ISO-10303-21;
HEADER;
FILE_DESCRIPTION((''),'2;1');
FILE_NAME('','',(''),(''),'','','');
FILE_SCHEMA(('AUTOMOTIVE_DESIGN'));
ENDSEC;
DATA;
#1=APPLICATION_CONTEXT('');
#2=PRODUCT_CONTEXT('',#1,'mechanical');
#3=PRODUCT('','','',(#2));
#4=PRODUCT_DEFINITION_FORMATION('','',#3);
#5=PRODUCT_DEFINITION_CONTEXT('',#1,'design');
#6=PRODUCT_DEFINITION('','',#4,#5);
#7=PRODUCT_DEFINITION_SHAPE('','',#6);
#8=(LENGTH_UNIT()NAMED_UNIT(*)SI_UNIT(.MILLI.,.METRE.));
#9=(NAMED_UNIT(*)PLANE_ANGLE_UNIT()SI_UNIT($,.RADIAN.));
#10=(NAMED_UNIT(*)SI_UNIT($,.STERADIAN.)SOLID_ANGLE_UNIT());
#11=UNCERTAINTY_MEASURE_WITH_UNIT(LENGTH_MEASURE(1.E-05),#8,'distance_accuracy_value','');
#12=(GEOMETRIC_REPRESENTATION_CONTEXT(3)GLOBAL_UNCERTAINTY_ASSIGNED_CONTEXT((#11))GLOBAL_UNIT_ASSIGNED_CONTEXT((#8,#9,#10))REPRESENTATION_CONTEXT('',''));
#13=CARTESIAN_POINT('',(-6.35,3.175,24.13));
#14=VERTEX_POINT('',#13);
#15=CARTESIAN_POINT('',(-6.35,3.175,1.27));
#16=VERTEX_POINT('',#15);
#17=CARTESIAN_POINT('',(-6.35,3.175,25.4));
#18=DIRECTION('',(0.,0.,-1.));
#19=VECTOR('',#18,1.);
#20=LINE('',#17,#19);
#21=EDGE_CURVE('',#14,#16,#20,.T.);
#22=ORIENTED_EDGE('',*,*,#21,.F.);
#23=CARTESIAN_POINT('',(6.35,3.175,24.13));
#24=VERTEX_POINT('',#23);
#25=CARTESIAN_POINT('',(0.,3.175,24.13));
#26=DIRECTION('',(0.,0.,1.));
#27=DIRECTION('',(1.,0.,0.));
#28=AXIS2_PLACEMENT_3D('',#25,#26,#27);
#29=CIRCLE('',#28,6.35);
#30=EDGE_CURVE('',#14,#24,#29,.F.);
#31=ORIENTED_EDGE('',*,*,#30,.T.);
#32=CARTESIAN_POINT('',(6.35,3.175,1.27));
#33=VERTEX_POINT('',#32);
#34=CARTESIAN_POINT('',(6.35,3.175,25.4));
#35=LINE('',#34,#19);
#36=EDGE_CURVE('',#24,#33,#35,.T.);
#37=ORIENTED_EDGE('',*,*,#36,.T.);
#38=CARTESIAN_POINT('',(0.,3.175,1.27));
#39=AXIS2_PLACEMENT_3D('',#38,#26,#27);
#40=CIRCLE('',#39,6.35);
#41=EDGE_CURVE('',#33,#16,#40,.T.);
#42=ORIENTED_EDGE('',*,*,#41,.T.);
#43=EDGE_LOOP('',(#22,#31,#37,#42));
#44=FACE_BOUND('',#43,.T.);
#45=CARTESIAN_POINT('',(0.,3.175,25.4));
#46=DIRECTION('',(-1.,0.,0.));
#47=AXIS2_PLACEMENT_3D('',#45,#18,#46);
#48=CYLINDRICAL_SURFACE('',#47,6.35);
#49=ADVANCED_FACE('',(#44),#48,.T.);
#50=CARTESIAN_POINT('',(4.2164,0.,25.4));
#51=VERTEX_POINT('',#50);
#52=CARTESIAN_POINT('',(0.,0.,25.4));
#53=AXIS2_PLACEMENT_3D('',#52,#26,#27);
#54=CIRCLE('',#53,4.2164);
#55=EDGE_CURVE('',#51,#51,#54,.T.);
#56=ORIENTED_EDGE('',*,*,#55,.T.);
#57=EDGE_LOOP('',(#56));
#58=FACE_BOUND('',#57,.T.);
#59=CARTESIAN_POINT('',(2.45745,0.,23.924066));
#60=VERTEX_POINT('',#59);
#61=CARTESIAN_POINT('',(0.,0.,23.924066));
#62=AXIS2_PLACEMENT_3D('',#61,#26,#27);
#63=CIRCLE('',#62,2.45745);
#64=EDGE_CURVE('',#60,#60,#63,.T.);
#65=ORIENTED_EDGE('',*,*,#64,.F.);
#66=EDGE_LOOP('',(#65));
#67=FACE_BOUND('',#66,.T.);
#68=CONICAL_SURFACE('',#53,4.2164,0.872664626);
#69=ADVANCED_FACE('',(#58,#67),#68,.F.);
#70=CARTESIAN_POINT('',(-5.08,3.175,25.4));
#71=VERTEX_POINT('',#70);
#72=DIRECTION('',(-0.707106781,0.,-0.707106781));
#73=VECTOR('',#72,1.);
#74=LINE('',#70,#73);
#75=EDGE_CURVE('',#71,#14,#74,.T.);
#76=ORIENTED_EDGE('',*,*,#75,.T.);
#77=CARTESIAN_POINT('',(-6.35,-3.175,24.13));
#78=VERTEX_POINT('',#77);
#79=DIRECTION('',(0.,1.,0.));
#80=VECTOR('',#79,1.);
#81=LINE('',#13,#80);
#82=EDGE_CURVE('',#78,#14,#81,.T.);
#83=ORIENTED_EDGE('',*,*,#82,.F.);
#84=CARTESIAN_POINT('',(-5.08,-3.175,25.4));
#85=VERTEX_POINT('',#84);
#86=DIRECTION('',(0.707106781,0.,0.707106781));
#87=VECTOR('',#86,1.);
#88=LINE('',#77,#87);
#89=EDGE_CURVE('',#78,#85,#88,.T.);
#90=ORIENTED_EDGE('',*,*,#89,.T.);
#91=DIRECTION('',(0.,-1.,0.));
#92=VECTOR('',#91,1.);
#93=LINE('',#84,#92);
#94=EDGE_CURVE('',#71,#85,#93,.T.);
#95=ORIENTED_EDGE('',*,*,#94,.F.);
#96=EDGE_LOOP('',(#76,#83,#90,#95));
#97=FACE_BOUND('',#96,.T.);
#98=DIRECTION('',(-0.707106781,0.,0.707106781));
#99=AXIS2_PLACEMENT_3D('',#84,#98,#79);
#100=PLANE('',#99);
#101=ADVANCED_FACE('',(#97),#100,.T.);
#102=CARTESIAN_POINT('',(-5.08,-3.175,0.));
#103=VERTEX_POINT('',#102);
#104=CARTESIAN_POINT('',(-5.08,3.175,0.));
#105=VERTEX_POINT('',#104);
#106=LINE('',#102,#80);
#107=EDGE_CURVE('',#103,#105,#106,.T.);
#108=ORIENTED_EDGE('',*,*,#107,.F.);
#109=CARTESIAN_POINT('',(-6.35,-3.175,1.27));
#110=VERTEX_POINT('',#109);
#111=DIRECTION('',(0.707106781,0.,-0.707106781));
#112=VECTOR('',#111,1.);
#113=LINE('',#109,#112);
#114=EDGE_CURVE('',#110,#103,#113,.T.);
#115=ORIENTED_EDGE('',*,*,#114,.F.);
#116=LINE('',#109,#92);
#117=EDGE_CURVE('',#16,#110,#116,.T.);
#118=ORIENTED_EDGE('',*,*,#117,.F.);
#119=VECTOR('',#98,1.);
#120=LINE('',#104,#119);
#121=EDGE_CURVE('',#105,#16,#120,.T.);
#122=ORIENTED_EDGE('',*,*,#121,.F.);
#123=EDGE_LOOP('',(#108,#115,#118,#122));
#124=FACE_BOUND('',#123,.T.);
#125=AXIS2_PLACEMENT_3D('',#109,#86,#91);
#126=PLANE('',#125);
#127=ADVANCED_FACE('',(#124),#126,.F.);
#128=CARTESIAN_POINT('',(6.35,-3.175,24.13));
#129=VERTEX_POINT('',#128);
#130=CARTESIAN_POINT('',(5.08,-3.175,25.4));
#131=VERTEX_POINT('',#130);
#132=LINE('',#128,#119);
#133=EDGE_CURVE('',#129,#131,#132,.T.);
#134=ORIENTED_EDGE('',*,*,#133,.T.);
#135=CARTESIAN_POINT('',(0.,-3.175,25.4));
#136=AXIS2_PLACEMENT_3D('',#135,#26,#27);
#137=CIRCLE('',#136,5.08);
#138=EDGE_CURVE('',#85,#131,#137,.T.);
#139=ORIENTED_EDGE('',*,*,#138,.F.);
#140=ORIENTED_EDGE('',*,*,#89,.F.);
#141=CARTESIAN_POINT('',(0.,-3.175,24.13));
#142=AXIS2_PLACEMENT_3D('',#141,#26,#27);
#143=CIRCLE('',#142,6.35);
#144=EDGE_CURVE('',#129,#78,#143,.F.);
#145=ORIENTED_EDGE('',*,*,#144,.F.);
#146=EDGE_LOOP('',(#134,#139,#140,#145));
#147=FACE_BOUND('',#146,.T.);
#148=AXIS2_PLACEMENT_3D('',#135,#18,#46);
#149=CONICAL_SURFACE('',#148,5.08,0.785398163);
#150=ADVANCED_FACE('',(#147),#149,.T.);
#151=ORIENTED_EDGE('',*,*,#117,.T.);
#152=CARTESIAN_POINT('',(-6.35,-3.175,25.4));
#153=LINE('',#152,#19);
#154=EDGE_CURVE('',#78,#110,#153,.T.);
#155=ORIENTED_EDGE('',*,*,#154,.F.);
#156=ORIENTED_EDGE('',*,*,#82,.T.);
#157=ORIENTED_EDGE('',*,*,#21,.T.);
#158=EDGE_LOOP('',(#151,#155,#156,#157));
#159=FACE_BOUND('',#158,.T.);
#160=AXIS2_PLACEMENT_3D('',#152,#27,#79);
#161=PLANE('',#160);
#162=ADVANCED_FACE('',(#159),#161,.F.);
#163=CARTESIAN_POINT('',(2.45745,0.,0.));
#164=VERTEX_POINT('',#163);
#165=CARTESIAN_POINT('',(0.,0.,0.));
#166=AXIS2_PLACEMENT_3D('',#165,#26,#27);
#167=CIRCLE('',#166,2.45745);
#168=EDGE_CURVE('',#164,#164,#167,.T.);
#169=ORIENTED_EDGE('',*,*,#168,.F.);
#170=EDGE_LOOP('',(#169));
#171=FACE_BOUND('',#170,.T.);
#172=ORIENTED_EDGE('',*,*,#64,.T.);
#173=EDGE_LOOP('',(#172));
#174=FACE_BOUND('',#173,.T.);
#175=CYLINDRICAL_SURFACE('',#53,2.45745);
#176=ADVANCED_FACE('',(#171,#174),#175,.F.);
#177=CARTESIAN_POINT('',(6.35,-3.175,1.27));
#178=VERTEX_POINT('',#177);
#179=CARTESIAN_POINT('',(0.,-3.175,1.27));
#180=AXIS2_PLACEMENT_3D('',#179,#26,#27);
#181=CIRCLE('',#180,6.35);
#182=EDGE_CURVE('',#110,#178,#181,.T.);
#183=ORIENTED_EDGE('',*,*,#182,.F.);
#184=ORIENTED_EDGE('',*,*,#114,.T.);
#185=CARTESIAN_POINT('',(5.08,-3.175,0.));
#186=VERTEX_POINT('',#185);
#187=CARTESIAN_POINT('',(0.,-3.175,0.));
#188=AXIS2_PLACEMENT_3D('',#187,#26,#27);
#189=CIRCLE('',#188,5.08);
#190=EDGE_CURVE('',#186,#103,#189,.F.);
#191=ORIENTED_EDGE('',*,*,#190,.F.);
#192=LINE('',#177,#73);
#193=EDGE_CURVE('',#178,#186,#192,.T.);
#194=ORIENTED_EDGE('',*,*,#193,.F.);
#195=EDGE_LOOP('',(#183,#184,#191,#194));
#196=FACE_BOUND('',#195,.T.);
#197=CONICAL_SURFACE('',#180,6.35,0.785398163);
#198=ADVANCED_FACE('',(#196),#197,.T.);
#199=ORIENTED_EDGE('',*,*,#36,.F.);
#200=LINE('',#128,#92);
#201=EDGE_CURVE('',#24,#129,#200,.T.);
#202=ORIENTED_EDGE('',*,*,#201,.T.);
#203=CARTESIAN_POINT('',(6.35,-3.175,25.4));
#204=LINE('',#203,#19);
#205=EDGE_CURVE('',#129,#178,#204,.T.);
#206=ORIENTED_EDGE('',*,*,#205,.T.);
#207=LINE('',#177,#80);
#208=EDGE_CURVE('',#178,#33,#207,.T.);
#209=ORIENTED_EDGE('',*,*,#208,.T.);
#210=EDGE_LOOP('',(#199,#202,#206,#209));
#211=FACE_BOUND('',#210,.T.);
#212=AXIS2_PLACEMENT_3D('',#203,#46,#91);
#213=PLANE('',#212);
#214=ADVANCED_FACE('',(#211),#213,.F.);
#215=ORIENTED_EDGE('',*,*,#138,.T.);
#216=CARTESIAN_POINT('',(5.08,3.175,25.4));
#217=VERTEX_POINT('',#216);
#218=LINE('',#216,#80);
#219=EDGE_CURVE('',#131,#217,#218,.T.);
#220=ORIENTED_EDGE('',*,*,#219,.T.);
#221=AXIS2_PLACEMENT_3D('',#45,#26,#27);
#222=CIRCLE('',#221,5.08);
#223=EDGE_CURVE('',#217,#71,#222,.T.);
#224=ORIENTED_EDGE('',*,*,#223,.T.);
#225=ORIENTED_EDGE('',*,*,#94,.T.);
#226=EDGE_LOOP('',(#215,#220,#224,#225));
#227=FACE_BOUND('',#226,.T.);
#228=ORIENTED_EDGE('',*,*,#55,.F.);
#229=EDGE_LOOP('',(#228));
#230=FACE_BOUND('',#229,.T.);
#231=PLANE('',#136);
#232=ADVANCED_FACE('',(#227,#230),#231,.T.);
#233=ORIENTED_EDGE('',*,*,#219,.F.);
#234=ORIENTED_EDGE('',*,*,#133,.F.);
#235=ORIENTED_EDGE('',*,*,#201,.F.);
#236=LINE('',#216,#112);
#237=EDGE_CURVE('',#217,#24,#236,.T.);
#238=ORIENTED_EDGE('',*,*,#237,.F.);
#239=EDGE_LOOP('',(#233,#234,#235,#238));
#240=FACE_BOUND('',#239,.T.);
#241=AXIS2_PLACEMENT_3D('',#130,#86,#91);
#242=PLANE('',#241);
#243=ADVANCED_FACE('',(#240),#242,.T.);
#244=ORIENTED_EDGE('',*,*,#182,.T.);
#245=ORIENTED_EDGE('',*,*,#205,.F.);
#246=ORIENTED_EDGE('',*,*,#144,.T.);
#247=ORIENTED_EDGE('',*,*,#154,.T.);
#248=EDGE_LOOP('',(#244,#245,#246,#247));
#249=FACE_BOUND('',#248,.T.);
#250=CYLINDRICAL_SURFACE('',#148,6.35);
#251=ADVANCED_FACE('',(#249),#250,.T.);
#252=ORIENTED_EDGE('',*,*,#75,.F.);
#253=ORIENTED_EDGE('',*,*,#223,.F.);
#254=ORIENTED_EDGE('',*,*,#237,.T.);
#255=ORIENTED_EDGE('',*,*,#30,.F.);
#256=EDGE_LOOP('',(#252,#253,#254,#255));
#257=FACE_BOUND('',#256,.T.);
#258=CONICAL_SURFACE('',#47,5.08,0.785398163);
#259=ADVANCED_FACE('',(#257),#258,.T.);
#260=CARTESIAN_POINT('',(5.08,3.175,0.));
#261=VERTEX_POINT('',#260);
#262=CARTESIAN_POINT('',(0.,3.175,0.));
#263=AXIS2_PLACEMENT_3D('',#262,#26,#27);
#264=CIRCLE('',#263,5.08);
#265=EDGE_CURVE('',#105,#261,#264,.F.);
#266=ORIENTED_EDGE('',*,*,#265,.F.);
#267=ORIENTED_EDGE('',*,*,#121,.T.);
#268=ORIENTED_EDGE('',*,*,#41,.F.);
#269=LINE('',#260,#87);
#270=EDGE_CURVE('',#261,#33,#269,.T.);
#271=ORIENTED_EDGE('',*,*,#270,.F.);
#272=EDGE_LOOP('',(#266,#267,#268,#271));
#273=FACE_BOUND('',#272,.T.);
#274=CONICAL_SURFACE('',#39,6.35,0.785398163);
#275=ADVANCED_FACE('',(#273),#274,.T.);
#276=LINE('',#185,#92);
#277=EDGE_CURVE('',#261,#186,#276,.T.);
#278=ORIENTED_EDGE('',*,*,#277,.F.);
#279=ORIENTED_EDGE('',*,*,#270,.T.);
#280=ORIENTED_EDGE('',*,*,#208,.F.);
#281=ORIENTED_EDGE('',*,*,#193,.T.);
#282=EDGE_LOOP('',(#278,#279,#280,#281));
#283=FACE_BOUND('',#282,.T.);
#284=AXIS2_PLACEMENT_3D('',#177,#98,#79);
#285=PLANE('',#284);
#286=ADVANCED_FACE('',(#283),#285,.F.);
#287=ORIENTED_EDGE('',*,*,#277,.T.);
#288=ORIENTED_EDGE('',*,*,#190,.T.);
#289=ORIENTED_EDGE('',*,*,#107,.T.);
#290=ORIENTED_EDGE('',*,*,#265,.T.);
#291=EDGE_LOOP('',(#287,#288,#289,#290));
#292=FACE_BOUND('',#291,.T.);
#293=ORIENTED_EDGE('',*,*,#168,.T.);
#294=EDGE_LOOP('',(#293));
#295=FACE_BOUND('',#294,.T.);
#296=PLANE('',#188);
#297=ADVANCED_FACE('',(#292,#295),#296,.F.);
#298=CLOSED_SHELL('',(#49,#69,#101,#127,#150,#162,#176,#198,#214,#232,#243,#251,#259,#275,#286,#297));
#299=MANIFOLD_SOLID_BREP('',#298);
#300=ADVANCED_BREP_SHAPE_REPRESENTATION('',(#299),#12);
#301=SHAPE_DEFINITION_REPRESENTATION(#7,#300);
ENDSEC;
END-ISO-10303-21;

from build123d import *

# Parameters (mm, degrees)
BOSS_EXTRUDE1_DEPTH                               = 25.4
CHAMFER1_SIZE                                     = 1.27
CSK_FOR_8_FLAT_HEAD_MACHINE_SCREW_100_D           = 4.9149
CSK_FOR_8_FLAT_HEAD_MACHINE_SCREW_100_CSINK_D     = 8.4328
CSK_FOR_8_FLAT_HEAD_MACHINE_SCREW_100_CSINK_ANGLE = 100


with BuildPart() as part:
    # Sketch1 → Boss-Extrude1 (new body)
    with BuildSketch(Plane.XY):
        with BuildLine():
            Line((-6.35, -3.175), (-6.35, 3.175))
            ThreePointArc((-6.35, 3.175), (0, 9.525), (6.35, 3.175))
            Line((6.35, 3.175), (6.35, -3.175))
            ThreePointArc((6.35, -3.175), (0, -9.525), (-6.35, -3.175))
        make_face()
    extrude(amount=BOSS_EXTRUDE1_DEPTH)

    # Chamfer1
    chamfer1_edges = [part.edges().sort_by_distance(p)[0] for p in [
        (0, 9.525, 25.4),
        (-6.35, 0, 25.4),
        (0, -9.525, 25.4),
        (-6.35, 0, 0),
        (0, 9.525, 0),
        (6.35, 0, 0),
        (0, -9.525, 0),
        (6.35, 0, 25.4),
    ]]
    chamfer(chamfer1_edges, length=CHAMFER1_SIZE)

    # CSK for #8 Flat Head Machine Screw (100)1 (through all)
    with Locations(Plane.XY.offset(25.4)):
        with Locations((0, 0)):
            CounterSinkHole(CSK_FOR_8_FLAT_HEAD_MACHINE_SCREW_100_D / 2, CSK_FOR_8_FLAT_HEAD_MACHINE_SCREW_100_CSINK_D / 2, counter_sink_angle=CSK_FOR_8_FLAT_HEAD_MACHINE_SCREW_100_CSINK_ANGLE)


solid = part.part
